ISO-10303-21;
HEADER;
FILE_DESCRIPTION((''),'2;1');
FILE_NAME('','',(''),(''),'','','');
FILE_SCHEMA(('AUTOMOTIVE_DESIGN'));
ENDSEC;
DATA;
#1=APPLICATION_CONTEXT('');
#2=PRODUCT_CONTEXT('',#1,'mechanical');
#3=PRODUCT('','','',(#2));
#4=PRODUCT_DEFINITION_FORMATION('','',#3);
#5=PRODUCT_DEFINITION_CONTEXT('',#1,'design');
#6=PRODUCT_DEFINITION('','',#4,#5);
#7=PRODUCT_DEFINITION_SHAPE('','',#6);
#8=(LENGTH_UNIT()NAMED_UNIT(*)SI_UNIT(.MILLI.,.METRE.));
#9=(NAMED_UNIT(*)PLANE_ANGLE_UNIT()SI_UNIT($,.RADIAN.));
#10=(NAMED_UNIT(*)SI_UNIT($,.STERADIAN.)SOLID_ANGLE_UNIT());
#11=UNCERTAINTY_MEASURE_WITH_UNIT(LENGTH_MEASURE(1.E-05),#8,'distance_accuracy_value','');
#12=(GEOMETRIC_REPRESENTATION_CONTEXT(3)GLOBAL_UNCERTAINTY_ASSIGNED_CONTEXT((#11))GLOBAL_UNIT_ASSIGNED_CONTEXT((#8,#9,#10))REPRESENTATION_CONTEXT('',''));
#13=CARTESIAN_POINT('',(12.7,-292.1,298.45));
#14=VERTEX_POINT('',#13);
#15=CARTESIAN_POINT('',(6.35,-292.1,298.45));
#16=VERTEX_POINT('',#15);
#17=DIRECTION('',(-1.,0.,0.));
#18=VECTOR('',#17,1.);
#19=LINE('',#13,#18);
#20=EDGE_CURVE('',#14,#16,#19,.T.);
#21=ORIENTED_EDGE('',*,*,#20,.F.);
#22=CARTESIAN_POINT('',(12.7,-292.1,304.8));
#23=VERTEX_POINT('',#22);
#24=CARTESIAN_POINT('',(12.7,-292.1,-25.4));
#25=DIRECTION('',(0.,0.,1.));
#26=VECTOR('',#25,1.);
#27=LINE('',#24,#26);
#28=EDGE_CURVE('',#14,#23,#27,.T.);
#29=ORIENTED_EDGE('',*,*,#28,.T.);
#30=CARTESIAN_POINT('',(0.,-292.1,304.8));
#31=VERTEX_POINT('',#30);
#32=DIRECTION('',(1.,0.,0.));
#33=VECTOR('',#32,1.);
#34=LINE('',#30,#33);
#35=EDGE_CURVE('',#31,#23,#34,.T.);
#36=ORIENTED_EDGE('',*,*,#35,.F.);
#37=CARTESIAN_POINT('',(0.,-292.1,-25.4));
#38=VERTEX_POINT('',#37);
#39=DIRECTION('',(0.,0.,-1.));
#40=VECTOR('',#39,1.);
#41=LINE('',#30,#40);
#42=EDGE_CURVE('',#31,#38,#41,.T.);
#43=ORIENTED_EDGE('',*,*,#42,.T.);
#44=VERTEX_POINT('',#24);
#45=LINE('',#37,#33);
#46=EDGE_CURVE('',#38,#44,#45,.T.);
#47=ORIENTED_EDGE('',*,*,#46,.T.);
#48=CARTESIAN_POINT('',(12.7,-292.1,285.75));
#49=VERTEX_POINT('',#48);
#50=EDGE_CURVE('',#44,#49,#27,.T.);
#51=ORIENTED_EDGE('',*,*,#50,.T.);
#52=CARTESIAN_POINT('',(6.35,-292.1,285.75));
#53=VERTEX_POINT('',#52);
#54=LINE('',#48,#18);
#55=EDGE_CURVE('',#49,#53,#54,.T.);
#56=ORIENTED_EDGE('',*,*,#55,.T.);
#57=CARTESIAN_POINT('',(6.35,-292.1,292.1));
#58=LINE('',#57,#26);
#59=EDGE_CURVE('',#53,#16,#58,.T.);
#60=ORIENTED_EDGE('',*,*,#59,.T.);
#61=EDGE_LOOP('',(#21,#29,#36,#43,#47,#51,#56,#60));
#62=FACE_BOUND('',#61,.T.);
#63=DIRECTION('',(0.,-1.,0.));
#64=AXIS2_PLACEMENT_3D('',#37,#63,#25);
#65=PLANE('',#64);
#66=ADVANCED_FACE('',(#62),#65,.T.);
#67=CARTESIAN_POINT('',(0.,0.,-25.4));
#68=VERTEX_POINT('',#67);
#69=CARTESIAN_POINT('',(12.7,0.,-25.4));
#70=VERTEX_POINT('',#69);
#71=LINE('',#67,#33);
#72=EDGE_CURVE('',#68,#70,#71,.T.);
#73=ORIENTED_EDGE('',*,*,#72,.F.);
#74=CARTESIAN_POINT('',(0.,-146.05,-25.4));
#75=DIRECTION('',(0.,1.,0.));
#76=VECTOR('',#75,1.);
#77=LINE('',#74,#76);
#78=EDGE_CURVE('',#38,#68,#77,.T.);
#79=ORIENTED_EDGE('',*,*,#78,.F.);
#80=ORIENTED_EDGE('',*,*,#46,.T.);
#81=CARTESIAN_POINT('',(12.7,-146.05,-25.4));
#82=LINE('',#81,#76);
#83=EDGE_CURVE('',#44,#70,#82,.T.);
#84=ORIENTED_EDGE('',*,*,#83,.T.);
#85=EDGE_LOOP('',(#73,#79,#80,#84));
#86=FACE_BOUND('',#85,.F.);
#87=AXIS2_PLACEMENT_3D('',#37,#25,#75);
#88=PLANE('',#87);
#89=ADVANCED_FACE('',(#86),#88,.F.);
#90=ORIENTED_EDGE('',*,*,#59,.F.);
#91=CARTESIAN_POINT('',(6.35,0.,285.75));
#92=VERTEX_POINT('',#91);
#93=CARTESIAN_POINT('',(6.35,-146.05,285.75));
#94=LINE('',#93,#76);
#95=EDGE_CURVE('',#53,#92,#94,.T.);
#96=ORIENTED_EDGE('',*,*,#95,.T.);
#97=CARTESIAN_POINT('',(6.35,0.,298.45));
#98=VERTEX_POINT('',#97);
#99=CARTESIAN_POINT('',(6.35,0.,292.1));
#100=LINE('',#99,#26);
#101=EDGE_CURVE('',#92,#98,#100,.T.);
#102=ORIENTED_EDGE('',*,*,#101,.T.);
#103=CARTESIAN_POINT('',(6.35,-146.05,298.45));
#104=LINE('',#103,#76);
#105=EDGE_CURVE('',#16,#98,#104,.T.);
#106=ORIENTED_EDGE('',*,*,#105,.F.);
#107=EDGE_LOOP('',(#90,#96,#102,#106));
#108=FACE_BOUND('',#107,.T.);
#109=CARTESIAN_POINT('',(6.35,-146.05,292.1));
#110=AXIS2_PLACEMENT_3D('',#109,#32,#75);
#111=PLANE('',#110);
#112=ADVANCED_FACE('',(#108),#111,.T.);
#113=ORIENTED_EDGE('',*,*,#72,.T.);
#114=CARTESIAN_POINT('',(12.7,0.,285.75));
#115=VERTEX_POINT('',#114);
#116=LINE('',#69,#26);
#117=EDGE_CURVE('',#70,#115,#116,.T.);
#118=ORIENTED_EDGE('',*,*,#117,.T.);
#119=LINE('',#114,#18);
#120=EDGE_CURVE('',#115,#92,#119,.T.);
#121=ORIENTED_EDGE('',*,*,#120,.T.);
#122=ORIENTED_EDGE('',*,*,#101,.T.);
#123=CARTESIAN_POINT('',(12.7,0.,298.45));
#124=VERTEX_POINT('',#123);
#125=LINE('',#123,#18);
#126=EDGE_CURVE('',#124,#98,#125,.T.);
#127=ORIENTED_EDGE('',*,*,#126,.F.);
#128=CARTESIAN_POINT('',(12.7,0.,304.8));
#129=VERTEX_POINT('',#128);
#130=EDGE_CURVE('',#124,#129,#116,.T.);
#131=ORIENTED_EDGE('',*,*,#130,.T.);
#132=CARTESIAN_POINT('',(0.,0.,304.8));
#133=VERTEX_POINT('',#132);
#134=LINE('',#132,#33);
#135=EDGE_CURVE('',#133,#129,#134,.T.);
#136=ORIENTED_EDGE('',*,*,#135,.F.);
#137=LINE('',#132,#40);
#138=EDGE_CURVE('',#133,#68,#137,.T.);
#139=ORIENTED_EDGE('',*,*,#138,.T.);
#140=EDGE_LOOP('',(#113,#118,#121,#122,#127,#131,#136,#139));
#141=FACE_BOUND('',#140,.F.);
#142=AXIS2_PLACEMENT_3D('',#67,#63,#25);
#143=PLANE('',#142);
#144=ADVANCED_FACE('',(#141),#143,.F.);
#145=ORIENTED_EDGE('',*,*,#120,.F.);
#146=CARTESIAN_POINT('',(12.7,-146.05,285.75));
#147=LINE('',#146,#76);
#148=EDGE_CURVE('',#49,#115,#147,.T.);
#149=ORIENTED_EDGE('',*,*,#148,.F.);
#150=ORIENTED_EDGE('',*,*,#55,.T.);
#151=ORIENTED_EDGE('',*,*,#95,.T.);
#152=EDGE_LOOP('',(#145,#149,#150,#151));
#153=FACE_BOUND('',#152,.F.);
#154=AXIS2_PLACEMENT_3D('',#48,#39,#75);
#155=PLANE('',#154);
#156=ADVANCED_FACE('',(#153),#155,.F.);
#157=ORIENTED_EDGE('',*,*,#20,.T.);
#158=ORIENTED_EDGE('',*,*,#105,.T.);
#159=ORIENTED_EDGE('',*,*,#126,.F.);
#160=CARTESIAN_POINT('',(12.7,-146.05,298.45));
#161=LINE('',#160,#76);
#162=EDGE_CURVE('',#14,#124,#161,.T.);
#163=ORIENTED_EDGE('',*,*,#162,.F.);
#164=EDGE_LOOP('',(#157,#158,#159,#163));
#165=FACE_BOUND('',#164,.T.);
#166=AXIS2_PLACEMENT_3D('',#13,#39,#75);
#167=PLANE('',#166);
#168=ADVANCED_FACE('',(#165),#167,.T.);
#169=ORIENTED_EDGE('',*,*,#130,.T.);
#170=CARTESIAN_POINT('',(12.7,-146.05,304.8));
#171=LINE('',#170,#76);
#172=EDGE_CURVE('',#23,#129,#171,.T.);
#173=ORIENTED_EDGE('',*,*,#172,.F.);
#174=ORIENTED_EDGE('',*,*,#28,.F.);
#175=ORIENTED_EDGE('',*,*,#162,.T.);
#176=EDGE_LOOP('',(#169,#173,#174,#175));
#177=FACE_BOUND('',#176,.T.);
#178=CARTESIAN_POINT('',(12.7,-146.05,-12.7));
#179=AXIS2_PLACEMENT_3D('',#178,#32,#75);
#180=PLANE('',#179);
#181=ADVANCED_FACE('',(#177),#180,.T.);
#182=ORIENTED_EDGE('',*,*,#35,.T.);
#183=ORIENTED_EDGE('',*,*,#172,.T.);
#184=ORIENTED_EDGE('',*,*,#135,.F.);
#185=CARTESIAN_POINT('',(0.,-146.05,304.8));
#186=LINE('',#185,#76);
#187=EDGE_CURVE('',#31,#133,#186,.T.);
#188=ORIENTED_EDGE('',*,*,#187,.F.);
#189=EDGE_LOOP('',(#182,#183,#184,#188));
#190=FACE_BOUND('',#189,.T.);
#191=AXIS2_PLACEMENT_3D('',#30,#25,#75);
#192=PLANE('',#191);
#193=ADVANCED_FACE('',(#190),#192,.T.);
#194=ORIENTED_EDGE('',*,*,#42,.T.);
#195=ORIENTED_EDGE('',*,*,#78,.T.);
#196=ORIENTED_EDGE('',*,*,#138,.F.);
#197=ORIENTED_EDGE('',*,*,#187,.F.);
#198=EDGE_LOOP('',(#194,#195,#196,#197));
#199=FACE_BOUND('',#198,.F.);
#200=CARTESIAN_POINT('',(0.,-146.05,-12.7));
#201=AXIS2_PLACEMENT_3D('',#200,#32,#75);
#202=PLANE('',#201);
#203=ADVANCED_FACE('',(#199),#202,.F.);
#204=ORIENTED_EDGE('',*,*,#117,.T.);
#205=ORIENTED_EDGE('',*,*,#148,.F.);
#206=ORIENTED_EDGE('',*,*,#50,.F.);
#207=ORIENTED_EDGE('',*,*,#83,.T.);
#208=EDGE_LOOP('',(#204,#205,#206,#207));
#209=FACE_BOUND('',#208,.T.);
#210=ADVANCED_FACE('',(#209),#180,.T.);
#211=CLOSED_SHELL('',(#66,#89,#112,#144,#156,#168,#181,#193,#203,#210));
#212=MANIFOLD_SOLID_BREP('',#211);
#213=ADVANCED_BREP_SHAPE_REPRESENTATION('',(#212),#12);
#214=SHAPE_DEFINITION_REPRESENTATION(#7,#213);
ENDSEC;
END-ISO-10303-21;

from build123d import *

# Parameters (mm, degrees)
F0_W     = 292.1
F0_H     = 304.8
F1_DEPTH = 12.7
F2_W     = 292.1
F2_H     = 25.4
F3_DEPTH = 12.7
F4_W     = 292.1
F4_H     = 12.7
F5_DEPTH = 6.35


with BuildPart() as f1:
    # F0 (on Right) → F1 (new body)
    with BuildSketch(Plane.YZ):
        with Locations((-146.05, 152.4)):
            Rectangle(F0_W, F0_H)
    extrude(amount=F1_DEPTH)

    # F2 (on Right) → F3 (join)
    with BuildSketch(Plane.YZ):
        with Locations((-146.05, -12.7)):
            Rectangle(F2_W, F2_H)
    extrude(amount=F3_DEPTH)

    # F4 (on face) → F5 (cut)
    with BuildSketch(Plane.YZ.offset(12.7)):
        with Locations((-146.05, 292.1)):
            Rectangle(F4_W, F4_H)
    extrude(amount=-F5_DEPTH, mode=Mode.SUBTRACT)


solid = f1.part
